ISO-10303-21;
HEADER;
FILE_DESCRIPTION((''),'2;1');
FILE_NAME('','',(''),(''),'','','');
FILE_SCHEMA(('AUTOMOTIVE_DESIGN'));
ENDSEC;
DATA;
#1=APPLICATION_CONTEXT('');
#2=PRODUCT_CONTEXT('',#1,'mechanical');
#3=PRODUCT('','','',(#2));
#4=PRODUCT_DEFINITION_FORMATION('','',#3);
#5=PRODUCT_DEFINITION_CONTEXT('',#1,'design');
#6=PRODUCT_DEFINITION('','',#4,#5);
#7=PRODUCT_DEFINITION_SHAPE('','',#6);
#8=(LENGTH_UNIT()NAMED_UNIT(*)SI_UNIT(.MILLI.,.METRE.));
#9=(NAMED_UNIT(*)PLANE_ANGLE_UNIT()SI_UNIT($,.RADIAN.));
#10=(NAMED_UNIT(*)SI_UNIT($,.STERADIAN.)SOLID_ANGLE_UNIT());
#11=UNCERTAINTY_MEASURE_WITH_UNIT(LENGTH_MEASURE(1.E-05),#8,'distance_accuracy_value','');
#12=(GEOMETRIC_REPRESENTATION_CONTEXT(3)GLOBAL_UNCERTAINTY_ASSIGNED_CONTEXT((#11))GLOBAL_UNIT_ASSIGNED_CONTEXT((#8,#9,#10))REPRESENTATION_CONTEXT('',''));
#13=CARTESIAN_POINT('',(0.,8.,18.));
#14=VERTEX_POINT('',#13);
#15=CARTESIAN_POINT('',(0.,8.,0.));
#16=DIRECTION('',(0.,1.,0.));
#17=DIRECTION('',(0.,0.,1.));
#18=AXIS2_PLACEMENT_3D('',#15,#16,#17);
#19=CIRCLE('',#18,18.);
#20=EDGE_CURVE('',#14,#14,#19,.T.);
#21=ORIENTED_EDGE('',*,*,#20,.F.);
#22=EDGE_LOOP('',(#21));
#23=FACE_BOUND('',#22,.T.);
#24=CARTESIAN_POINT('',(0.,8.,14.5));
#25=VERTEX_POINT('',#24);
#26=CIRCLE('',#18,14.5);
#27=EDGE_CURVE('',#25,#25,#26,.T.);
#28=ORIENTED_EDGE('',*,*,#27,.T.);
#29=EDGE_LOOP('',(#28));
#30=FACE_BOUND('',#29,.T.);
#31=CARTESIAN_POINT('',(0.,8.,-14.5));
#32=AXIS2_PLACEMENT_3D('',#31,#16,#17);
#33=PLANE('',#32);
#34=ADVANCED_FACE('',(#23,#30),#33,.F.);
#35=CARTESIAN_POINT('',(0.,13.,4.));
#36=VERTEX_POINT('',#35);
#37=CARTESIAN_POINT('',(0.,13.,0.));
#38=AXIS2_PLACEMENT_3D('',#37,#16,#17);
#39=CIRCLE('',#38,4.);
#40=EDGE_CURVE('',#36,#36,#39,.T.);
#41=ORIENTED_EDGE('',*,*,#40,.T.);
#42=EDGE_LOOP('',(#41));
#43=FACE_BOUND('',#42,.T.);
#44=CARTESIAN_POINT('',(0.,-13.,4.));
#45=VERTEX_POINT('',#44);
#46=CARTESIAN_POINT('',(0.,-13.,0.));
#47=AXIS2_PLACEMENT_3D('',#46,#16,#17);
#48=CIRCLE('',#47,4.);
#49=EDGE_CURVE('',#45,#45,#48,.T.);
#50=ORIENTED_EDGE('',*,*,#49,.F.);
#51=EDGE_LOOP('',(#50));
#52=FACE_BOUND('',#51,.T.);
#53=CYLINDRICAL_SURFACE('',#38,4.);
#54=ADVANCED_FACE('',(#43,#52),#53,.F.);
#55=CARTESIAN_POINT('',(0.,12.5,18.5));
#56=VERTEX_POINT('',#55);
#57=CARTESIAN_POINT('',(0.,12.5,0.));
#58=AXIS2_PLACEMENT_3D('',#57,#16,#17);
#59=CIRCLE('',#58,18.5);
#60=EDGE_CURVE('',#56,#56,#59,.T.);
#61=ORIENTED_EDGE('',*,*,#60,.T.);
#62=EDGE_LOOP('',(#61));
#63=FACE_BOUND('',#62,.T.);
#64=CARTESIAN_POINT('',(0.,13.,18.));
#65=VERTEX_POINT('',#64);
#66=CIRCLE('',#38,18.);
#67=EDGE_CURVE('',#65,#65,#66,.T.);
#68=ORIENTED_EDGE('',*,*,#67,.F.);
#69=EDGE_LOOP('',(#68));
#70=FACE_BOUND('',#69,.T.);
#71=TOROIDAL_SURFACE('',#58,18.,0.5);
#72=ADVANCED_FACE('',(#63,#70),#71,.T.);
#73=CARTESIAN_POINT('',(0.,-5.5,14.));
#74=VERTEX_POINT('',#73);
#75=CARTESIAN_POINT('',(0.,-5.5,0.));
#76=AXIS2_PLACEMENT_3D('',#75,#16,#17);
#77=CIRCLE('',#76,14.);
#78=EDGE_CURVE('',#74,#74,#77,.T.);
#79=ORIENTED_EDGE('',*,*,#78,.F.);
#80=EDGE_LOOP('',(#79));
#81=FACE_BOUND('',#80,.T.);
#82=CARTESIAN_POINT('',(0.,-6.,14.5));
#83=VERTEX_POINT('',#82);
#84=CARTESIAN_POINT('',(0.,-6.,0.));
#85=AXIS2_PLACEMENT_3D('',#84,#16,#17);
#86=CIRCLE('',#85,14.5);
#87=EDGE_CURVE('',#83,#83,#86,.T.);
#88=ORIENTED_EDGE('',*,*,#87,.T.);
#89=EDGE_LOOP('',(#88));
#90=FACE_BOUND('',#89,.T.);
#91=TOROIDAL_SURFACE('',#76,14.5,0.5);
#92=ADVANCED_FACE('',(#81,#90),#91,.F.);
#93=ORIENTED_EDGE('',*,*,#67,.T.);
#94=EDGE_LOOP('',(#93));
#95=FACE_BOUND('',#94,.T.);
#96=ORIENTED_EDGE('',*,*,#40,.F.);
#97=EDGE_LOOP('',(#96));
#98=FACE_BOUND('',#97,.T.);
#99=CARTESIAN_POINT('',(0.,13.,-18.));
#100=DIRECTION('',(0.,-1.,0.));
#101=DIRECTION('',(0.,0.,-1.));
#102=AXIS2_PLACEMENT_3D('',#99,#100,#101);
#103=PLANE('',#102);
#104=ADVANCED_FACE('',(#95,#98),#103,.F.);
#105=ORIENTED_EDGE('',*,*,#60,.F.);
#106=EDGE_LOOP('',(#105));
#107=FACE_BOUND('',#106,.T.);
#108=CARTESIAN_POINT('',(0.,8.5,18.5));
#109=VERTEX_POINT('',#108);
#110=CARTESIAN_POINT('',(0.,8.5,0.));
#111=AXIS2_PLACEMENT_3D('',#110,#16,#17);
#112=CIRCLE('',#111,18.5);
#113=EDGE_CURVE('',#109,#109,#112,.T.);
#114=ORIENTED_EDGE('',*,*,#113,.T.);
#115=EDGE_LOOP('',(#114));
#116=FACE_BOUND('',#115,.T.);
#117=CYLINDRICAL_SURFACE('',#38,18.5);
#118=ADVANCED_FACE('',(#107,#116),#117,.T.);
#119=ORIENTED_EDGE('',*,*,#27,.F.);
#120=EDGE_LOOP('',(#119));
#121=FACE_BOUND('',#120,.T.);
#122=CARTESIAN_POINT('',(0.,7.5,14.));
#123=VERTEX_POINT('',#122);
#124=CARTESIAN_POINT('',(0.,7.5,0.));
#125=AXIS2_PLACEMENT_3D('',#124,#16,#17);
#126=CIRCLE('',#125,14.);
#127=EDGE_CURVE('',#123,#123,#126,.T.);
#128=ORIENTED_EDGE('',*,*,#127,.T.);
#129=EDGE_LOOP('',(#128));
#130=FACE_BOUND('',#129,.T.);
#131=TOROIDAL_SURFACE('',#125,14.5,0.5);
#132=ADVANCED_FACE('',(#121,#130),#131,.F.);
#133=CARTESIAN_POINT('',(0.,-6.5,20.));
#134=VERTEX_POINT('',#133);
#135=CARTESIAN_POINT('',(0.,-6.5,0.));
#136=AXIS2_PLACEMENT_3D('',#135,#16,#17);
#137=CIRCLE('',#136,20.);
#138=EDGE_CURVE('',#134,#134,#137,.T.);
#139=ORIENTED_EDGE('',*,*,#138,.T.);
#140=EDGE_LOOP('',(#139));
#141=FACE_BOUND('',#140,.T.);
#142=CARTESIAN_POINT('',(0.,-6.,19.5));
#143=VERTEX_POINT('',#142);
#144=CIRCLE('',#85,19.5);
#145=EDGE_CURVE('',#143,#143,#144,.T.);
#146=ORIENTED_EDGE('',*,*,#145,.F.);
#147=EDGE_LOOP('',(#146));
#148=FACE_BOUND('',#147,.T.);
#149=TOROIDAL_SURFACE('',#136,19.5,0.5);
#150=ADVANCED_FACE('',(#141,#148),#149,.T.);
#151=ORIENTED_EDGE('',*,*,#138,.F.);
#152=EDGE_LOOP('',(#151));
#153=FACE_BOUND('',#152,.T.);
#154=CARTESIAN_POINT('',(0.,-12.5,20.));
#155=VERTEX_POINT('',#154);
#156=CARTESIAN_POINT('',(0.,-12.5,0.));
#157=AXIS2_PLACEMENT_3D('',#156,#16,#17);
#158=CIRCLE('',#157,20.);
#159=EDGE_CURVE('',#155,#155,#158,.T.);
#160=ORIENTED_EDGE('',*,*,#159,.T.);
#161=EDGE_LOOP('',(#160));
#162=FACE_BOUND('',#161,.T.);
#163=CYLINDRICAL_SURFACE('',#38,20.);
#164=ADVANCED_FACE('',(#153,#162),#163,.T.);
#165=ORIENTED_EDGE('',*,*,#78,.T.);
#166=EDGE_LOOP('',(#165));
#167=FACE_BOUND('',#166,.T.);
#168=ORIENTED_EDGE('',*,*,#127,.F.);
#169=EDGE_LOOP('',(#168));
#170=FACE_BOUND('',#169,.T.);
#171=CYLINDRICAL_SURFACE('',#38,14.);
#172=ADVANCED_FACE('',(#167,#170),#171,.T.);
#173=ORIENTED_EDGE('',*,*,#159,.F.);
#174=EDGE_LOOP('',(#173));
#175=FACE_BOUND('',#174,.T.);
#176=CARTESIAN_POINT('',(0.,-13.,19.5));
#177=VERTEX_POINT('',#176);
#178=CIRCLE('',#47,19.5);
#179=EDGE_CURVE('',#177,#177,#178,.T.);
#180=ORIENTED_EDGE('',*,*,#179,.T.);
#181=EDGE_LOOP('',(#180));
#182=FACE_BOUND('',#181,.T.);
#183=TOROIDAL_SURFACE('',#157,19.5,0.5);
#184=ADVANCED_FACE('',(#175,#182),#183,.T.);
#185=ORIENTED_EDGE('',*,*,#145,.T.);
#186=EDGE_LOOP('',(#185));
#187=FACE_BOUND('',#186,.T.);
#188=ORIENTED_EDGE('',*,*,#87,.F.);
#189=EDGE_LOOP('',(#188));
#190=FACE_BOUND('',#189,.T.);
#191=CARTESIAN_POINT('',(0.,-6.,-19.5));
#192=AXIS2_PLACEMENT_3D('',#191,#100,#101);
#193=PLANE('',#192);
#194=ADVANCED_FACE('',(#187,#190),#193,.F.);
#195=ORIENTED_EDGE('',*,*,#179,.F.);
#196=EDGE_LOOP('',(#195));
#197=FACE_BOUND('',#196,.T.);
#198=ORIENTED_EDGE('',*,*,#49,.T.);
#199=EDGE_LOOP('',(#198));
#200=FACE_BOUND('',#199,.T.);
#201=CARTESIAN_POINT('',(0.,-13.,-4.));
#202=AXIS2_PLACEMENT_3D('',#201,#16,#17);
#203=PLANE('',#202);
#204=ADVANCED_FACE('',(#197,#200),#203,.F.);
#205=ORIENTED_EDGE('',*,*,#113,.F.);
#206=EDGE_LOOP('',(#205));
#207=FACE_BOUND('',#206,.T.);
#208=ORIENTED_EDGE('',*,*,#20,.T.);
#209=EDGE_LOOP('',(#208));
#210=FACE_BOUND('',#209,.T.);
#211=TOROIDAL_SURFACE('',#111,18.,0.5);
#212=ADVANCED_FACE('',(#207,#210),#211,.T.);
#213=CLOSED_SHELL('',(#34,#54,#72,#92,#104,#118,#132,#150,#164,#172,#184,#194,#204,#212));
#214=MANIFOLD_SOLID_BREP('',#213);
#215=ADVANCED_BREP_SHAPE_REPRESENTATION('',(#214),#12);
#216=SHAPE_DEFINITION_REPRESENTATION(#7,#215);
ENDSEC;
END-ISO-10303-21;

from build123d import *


with BuildPart() as part:
    # Sketch2 → Revolve1 (revolve)
    with BuildSketch(Plane(origin=(0, 0, 0), x_dir=(0, 0, -1), z_dir=(1, 0, 0)), mode=Mode.PRIVATE) as revolve1_sk:
        with BuildLine():
            Line((4, -13), (19.5, -13))
            ThreePointArc((19.5, -13), (19.853553391, -12.853553391), (20, -12.5))
            Line((20, -12.5), (20, -6.5))
            ThreePointArc((20, -6.5), (19.853553391, -6.146446609), (19.5, -6))
            Line((19.5, -6), (14.5, -6))
            ThreePointArc((14.5, -6), (14.146446609, -5.853553391), (14, -5.5))
            Line((14, -5.5), (14, 7.5))
            ThreePointArc((14, 7.5), (14.146446609, 7.853553391), (14.5, 8))
            Line((14.5, 8), (18, 8))
            ThreePointArc((18, 8), (18.353553391, 8.146446609), (18.5, 8.5))
            Line((18.5, 8.5), (18.5, 12.5))
            ThreePointArc((18.5, 12.5), (18.353553391, 12.853553391), (18, 13))
            Line((18, 13), (4, 13))
            Line((4, 13), (4, -13))
        make_face()
    revolve(revolve1_sk.sketch.rotate(Axis((0, 13, 0), (0, -1, 0)), 180), axis=Axis((0, 13, 0), (0, -1, 0)))


solid = part.part
